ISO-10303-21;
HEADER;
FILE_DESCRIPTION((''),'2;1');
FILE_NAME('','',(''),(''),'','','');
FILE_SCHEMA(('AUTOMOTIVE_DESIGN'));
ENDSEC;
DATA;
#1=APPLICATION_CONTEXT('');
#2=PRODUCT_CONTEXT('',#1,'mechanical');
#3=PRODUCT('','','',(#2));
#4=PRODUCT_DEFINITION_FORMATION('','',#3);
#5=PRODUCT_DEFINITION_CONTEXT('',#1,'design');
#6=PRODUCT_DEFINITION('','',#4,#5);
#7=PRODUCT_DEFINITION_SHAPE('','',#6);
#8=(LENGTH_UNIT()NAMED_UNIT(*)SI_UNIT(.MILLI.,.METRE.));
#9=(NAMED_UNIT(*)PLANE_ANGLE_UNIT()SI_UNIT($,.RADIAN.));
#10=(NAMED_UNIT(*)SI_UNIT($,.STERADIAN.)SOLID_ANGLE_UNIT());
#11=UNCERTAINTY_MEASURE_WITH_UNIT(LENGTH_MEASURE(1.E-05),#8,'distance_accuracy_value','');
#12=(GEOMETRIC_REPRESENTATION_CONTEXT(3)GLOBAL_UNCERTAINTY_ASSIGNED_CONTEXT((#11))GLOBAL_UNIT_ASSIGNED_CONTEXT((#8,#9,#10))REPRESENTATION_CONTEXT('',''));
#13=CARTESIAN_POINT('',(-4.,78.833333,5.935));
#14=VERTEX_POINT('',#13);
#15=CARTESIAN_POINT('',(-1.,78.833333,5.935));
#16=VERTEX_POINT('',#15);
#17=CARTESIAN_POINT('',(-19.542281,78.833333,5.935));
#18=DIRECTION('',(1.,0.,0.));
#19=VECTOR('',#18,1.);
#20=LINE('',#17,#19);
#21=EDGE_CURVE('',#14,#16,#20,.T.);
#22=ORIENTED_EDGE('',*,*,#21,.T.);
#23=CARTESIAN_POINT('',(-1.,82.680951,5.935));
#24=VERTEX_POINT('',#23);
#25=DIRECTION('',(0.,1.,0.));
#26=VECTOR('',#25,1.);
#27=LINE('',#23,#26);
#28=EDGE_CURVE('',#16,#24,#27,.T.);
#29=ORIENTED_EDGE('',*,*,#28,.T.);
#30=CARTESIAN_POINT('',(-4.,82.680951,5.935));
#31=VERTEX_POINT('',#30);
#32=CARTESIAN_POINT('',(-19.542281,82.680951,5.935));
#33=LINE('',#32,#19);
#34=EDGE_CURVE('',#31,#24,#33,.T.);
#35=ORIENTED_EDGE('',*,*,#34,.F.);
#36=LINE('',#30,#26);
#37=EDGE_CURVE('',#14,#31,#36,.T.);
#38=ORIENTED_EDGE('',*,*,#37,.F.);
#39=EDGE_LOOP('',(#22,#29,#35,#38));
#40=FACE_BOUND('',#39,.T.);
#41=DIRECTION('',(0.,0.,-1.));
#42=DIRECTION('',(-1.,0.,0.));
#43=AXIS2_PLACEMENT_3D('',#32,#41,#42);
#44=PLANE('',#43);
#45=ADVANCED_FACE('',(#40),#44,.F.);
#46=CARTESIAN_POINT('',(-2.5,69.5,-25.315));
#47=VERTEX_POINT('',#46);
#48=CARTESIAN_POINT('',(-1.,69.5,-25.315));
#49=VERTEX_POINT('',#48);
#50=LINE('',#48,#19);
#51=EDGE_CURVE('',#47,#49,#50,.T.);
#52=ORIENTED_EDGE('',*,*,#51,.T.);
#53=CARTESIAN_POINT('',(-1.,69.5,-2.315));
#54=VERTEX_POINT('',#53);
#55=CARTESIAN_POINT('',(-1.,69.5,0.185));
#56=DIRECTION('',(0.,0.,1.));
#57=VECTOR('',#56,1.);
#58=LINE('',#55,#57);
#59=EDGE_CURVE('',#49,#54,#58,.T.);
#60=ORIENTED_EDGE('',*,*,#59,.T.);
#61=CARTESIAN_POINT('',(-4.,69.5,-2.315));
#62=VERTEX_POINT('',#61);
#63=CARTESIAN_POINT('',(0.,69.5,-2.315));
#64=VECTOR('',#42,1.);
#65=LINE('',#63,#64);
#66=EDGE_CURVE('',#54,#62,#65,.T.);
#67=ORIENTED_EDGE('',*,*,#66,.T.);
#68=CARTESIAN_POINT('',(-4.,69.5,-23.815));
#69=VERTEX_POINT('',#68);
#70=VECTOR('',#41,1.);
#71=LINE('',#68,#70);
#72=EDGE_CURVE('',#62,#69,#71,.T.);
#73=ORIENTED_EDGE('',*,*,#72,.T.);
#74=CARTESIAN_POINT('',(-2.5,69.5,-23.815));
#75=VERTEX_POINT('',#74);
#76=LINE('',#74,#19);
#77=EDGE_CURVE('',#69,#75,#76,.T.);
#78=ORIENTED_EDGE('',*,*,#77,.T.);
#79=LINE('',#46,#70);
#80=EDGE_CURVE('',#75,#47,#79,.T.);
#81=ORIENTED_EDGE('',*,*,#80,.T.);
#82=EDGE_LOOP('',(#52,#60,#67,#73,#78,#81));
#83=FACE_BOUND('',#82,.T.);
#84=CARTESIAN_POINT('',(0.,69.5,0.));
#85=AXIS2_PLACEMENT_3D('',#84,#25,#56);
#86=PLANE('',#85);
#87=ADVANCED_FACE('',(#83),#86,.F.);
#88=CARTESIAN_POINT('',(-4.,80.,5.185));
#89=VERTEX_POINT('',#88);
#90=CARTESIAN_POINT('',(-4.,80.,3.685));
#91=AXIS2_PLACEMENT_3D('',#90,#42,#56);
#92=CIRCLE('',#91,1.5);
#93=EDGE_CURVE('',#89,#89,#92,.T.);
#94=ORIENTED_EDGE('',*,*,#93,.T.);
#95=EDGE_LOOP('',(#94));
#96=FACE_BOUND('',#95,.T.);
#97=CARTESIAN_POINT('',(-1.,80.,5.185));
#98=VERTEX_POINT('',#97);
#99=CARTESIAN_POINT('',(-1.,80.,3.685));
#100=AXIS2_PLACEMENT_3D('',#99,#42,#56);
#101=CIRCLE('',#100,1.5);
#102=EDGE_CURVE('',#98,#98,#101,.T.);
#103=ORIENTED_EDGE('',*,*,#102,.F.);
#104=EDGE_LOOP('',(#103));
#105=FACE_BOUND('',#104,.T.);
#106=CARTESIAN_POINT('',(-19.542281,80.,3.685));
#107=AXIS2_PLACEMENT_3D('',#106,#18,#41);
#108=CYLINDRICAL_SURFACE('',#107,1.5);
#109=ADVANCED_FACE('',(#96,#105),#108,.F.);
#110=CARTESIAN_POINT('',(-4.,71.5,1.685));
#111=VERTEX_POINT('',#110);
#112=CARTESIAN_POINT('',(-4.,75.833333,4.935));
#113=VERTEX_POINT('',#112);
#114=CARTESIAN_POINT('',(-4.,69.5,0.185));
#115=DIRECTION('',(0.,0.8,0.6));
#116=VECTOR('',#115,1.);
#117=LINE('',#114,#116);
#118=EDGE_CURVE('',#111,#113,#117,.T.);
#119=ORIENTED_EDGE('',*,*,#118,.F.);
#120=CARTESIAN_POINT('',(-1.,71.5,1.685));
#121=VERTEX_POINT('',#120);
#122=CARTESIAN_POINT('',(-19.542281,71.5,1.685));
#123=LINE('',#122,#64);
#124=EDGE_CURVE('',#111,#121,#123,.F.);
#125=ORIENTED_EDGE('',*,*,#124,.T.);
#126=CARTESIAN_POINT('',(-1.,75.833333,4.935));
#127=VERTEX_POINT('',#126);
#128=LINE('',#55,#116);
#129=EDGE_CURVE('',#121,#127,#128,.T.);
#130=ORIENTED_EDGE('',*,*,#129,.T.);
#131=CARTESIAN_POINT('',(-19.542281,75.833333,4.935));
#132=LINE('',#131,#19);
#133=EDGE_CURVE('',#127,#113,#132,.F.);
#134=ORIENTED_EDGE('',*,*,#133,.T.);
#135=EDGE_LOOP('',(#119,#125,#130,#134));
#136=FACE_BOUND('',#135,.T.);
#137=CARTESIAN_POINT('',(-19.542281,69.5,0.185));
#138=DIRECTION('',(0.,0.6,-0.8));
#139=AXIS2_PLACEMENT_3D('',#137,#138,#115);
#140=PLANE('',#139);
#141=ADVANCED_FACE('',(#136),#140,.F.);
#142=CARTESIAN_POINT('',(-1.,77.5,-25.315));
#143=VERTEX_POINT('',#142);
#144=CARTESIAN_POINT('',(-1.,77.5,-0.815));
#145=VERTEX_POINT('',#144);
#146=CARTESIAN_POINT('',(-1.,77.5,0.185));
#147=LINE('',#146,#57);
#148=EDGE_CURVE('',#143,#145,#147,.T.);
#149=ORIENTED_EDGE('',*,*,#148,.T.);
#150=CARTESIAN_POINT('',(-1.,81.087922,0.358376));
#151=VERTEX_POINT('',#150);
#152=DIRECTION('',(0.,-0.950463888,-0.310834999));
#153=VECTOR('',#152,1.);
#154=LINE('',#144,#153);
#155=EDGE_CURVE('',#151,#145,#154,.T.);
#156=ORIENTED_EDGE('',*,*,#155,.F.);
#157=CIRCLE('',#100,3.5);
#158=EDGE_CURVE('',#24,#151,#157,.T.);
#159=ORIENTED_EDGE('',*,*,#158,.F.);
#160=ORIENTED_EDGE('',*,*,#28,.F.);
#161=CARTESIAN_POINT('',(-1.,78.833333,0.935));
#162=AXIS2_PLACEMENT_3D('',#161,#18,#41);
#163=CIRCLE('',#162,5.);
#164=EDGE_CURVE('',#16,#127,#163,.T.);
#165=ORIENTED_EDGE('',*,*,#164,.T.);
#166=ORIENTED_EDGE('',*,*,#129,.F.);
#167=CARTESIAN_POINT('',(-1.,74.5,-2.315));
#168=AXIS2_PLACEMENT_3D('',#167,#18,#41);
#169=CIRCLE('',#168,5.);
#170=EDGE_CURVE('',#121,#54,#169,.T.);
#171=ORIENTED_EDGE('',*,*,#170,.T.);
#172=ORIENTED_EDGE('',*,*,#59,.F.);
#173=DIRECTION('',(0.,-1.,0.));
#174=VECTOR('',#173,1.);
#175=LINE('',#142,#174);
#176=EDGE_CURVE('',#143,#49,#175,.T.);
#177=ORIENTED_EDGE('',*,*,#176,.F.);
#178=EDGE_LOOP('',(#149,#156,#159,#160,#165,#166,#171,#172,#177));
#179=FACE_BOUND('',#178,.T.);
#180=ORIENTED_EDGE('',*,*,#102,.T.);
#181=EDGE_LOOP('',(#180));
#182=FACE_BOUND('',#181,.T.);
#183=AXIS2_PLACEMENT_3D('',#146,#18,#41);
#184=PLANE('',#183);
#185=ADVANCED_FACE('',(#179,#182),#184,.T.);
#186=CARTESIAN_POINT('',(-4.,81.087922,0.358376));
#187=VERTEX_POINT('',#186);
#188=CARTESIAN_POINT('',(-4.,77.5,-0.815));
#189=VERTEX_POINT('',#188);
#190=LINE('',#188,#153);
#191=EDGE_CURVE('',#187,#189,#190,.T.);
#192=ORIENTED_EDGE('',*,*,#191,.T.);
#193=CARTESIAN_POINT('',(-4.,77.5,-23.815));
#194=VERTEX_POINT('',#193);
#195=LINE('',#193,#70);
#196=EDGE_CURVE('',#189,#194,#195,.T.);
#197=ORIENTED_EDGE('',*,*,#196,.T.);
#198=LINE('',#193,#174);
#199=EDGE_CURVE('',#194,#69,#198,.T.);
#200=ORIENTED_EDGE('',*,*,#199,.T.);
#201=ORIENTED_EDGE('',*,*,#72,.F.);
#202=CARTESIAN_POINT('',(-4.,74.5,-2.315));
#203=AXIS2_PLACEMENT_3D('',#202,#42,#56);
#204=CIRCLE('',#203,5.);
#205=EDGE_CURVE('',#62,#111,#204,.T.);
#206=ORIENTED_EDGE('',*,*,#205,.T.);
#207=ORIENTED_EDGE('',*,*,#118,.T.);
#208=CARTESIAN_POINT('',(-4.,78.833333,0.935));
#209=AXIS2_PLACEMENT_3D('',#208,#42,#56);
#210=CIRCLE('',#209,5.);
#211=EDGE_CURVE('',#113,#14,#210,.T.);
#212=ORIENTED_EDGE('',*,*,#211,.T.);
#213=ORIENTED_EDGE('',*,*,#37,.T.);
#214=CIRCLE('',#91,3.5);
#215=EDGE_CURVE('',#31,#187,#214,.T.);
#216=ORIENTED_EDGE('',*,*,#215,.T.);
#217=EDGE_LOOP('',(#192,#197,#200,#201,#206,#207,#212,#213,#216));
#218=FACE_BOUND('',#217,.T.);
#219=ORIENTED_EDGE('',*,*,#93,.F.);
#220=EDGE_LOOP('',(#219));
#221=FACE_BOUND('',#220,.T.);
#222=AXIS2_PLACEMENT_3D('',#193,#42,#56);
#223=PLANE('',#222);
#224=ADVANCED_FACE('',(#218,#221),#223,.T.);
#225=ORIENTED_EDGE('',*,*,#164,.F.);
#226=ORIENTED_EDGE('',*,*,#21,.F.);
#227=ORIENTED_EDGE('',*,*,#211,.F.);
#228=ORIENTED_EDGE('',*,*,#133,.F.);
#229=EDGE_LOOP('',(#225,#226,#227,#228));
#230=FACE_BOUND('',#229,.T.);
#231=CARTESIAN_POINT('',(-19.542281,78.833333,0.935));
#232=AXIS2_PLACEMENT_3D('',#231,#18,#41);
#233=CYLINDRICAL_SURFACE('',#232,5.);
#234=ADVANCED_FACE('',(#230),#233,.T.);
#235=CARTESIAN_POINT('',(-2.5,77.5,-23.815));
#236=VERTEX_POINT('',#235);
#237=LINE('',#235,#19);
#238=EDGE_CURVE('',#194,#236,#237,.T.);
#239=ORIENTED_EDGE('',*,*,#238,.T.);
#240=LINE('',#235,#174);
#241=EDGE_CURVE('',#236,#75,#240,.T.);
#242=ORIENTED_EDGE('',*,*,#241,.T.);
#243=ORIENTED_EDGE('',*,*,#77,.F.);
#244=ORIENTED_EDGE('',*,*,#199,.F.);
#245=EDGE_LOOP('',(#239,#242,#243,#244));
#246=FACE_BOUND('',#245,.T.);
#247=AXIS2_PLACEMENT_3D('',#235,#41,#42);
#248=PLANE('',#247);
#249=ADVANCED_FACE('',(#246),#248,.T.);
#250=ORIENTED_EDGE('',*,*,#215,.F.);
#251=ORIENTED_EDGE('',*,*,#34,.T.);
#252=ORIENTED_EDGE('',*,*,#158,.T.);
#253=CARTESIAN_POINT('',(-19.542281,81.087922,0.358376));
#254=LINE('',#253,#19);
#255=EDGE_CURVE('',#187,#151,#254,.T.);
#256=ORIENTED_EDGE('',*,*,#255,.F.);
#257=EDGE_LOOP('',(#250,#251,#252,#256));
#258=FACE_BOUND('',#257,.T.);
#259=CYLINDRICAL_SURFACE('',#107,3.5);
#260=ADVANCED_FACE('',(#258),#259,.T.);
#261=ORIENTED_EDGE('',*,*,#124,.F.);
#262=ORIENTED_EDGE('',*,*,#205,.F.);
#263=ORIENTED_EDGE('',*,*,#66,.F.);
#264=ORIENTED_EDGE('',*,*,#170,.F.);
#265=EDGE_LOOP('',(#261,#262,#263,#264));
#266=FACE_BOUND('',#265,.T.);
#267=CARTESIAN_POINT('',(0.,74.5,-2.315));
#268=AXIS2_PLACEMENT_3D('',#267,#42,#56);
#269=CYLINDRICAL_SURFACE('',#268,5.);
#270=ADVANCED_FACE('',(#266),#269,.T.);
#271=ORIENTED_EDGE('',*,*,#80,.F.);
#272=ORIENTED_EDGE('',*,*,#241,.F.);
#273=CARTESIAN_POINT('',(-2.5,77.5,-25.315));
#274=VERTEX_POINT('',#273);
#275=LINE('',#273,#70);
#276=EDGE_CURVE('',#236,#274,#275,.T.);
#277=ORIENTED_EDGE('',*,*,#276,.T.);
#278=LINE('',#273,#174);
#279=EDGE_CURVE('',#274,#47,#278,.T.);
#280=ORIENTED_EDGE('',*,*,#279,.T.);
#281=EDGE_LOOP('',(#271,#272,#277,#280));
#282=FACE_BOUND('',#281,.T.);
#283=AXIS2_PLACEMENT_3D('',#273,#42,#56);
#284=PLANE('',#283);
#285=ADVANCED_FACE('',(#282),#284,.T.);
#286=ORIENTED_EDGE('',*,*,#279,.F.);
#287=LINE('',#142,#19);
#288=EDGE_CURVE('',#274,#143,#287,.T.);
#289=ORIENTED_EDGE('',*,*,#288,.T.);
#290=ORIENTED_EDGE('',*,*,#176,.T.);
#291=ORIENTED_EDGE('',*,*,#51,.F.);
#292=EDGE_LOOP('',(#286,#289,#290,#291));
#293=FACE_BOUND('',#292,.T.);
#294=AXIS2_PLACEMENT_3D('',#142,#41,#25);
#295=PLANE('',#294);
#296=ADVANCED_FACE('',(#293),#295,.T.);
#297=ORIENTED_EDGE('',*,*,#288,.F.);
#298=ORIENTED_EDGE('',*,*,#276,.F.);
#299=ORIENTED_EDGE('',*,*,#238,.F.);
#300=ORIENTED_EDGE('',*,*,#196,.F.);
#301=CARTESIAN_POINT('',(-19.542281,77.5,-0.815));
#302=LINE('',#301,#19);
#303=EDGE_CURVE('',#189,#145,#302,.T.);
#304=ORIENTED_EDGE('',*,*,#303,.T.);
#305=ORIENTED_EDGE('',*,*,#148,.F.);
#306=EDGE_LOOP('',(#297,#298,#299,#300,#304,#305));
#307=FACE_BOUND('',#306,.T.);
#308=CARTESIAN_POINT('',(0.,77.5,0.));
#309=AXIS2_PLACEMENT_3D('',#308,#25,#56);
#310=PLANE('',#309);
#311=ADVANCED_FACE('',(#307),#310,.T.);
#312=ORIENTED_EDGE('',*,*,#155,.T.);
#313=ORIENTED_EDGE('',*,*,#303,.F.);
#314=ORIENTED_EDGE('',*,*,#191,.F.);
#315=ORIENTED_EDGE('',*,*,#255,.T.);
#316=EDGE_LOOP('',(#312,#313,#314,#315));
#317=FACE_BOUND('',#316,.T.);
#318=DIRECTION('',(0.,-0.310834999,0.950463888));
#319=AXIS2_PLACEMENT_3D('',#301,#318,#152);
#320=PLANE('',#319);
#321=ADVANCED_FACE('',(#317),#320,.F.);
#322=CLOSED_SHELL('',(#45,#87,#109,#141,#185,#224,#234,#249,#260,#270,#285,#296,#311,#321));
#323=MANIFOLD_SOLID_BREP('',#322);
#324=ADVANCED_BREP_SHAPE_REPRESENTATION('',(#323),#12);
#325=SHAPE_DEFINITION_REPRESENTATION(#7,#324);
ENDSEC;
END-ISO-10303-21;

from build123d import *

# Parameters (mm, degrees)
TAB_EXTRUDE_DEPTH       = 8
SKETCH3_R               = 1.5
SCREWHOLE_EXTRUDE_DEPTH = 3
STRUCTURAL_ROUNDING_R   = 5


with BuildPart() as part:
    # Sketch1 → Tab extrude (new body)
    with BuildSketch(Plane.XZ.offset(-69.5)):
        Polygon((-1, 0.185), (-1, -25.315), (-2.5, -25.315), (-2.5, -23.815), (-4, -23.815), (-4, 0.185), align=None)
    extrude(amount=-TAB_EXTRUDE_DEPTH)

    # Sketch3 → Screwhole extrude (add)
    with BuildSketch(Plane.ZY.offset(1)):
        with BuildLine():
            Line((0.185, 69.5), (5.935, 77.166666667))
            Line((5.935, 77.166666667), (5.935, 82.680951324))
            ThreePointArc((5.935, 82.680951324), (2.723639085, 83.365380393), (0.35837639, 81.087922497))
            Line((0.35837639, 81.087922497), (-0.815, 77.5))
            Line((-0.815, 77.5), (0.185, 77.5))
            Line((0.185, 77.5), (0.185, 69.5))
        make_face()
        with Locations((3.685, 80)):
            Circle(SKETCH3_R, mode=Mode.SUBTRACT)
    extrude(amount=SCREWHOLE_EXTRUDE_DEPTH)

    # Structural rounding
    structural_rounding_edges = [part.edges().sort_by_distance(p)[0] for p in [
        (-2.5, 77.166666667, 5.935),
        (-2.5, 69.5, 0.185),
    ]]
    fillet(structural_rounding_edges, radius=STRUCTURAL_ROUNDING_R)


solid = part.part
